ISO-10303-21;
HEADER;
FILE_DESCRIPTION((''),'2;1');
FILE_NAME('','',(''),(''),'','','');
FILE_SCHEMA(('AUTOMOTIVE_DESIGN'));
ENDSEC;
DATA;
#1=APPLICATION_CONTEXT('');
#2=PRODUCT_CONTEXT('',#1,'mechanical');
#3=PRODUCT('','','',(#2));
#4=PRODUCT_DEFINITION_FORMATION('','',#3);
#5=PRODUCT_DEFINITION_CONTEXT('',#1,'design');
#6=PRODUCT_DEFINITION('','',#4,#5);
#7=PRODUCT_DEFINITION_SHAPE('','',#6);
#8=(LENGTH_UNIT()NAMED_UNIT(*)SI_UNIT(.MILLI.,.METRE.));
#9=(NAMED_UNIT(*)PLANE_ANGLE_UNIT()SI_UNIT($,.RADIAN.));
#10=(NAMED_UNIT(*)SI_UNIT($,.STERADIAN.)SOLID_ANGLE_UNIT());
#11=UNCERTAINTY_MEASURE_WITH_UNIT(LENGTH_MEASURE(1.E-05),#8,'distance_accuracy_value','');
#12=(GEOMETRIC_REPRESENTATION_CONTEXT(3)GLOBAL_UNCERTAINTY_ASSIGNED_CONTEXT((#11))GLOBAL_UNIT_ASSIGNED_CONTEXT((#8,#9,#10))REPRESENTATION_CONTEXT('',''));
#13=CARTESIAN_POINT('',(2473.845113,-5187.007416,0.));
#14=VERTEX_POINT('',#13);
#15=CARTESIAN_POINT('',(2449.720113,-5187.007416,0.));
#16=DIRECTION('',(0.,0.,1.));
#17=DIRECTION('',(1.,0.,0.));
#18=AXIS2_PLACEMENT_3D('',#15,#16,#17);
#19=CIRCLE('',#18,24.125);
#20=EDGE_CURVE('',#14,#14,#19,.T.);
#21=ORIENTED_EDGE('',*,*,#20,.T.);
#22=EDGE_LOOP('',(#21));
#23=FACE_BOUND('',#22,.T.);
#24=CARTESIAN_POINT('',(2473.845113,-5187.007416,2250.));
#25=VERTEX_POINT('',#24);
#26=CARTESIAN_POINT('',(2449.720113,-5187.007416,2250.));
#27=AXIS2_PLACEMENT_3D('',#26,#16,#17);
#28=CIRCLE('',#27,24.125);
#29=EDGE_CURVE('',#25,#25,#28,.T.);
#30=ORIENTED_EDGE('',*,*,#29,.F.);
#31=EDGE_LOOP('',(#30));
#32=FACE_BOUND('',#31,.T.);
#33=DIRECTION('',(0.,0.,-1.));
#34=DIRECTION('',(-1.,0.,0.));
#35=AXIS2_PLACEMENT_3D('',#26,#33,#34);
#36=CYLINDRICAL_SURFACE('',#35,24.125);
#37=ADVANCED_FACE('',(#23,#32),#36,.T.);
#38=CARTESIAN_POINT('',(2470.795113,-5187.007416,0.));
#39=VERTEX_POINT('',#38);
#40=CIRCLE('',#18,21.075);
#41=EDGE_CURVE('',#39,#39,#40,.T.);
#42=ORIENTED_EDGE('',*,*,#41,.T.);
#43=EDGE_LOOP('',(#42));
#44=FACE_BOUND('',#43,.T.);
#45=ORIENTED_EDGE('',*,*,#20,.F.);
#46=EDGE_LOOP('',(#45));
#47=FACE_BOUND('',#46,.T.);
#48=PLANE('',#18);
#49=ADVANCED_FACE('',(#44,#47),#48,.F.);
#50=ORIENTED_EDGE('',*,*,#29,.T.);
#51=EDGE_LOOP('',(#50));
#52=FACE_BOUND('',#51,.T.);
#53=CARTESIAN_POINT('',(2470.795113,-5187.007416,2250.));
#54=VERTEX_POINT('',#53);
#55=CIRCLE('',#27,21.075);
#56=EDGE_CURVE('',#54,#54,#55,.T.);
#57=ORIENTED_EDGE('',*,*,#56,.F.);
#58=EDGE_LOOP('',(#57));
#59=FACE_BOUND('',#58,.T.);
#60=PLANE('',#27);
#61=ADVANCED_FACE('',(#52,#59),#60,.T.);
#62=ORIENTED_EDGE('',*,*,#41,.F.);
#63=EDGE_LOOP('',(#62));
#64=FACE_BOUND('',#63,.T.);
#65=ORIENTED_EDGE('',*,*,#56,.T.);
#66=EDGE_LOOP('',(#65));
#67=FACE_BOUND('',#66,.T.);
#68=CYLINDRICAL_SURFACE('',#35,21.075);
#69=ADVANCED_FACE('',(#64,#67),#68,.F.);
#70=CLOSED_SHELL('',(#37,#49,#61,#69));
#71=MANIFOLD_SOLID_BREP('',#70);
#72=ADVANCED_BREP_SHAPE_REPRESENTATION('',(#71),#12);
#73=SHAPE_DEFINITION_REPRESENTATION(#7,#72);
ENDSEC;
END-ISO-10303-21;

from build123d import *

# Parameters (mm, degrees)
SKETCH2_R           = 24.125
SKETCH2_R_2         = 21.075
BOSS_EXTRUDE1_DEPTH = 2250


with BuildPart() as part:
    # Sketch2 → Boss-Extrude1 (new body)
    with BuildSketch(Plane.XY):
        with Locations((2449.72011288, -5187.007415734)):
            Circle(SKETCH2_R)
        with Locations((2449.72011288, -5187.007415734)):
            Circle(SKETCH2_R_2, mode=Mode.SUBTRACT)
    extrude(amount=BOSS_EXTRUDE1_DEPTH)


solid = part.part
